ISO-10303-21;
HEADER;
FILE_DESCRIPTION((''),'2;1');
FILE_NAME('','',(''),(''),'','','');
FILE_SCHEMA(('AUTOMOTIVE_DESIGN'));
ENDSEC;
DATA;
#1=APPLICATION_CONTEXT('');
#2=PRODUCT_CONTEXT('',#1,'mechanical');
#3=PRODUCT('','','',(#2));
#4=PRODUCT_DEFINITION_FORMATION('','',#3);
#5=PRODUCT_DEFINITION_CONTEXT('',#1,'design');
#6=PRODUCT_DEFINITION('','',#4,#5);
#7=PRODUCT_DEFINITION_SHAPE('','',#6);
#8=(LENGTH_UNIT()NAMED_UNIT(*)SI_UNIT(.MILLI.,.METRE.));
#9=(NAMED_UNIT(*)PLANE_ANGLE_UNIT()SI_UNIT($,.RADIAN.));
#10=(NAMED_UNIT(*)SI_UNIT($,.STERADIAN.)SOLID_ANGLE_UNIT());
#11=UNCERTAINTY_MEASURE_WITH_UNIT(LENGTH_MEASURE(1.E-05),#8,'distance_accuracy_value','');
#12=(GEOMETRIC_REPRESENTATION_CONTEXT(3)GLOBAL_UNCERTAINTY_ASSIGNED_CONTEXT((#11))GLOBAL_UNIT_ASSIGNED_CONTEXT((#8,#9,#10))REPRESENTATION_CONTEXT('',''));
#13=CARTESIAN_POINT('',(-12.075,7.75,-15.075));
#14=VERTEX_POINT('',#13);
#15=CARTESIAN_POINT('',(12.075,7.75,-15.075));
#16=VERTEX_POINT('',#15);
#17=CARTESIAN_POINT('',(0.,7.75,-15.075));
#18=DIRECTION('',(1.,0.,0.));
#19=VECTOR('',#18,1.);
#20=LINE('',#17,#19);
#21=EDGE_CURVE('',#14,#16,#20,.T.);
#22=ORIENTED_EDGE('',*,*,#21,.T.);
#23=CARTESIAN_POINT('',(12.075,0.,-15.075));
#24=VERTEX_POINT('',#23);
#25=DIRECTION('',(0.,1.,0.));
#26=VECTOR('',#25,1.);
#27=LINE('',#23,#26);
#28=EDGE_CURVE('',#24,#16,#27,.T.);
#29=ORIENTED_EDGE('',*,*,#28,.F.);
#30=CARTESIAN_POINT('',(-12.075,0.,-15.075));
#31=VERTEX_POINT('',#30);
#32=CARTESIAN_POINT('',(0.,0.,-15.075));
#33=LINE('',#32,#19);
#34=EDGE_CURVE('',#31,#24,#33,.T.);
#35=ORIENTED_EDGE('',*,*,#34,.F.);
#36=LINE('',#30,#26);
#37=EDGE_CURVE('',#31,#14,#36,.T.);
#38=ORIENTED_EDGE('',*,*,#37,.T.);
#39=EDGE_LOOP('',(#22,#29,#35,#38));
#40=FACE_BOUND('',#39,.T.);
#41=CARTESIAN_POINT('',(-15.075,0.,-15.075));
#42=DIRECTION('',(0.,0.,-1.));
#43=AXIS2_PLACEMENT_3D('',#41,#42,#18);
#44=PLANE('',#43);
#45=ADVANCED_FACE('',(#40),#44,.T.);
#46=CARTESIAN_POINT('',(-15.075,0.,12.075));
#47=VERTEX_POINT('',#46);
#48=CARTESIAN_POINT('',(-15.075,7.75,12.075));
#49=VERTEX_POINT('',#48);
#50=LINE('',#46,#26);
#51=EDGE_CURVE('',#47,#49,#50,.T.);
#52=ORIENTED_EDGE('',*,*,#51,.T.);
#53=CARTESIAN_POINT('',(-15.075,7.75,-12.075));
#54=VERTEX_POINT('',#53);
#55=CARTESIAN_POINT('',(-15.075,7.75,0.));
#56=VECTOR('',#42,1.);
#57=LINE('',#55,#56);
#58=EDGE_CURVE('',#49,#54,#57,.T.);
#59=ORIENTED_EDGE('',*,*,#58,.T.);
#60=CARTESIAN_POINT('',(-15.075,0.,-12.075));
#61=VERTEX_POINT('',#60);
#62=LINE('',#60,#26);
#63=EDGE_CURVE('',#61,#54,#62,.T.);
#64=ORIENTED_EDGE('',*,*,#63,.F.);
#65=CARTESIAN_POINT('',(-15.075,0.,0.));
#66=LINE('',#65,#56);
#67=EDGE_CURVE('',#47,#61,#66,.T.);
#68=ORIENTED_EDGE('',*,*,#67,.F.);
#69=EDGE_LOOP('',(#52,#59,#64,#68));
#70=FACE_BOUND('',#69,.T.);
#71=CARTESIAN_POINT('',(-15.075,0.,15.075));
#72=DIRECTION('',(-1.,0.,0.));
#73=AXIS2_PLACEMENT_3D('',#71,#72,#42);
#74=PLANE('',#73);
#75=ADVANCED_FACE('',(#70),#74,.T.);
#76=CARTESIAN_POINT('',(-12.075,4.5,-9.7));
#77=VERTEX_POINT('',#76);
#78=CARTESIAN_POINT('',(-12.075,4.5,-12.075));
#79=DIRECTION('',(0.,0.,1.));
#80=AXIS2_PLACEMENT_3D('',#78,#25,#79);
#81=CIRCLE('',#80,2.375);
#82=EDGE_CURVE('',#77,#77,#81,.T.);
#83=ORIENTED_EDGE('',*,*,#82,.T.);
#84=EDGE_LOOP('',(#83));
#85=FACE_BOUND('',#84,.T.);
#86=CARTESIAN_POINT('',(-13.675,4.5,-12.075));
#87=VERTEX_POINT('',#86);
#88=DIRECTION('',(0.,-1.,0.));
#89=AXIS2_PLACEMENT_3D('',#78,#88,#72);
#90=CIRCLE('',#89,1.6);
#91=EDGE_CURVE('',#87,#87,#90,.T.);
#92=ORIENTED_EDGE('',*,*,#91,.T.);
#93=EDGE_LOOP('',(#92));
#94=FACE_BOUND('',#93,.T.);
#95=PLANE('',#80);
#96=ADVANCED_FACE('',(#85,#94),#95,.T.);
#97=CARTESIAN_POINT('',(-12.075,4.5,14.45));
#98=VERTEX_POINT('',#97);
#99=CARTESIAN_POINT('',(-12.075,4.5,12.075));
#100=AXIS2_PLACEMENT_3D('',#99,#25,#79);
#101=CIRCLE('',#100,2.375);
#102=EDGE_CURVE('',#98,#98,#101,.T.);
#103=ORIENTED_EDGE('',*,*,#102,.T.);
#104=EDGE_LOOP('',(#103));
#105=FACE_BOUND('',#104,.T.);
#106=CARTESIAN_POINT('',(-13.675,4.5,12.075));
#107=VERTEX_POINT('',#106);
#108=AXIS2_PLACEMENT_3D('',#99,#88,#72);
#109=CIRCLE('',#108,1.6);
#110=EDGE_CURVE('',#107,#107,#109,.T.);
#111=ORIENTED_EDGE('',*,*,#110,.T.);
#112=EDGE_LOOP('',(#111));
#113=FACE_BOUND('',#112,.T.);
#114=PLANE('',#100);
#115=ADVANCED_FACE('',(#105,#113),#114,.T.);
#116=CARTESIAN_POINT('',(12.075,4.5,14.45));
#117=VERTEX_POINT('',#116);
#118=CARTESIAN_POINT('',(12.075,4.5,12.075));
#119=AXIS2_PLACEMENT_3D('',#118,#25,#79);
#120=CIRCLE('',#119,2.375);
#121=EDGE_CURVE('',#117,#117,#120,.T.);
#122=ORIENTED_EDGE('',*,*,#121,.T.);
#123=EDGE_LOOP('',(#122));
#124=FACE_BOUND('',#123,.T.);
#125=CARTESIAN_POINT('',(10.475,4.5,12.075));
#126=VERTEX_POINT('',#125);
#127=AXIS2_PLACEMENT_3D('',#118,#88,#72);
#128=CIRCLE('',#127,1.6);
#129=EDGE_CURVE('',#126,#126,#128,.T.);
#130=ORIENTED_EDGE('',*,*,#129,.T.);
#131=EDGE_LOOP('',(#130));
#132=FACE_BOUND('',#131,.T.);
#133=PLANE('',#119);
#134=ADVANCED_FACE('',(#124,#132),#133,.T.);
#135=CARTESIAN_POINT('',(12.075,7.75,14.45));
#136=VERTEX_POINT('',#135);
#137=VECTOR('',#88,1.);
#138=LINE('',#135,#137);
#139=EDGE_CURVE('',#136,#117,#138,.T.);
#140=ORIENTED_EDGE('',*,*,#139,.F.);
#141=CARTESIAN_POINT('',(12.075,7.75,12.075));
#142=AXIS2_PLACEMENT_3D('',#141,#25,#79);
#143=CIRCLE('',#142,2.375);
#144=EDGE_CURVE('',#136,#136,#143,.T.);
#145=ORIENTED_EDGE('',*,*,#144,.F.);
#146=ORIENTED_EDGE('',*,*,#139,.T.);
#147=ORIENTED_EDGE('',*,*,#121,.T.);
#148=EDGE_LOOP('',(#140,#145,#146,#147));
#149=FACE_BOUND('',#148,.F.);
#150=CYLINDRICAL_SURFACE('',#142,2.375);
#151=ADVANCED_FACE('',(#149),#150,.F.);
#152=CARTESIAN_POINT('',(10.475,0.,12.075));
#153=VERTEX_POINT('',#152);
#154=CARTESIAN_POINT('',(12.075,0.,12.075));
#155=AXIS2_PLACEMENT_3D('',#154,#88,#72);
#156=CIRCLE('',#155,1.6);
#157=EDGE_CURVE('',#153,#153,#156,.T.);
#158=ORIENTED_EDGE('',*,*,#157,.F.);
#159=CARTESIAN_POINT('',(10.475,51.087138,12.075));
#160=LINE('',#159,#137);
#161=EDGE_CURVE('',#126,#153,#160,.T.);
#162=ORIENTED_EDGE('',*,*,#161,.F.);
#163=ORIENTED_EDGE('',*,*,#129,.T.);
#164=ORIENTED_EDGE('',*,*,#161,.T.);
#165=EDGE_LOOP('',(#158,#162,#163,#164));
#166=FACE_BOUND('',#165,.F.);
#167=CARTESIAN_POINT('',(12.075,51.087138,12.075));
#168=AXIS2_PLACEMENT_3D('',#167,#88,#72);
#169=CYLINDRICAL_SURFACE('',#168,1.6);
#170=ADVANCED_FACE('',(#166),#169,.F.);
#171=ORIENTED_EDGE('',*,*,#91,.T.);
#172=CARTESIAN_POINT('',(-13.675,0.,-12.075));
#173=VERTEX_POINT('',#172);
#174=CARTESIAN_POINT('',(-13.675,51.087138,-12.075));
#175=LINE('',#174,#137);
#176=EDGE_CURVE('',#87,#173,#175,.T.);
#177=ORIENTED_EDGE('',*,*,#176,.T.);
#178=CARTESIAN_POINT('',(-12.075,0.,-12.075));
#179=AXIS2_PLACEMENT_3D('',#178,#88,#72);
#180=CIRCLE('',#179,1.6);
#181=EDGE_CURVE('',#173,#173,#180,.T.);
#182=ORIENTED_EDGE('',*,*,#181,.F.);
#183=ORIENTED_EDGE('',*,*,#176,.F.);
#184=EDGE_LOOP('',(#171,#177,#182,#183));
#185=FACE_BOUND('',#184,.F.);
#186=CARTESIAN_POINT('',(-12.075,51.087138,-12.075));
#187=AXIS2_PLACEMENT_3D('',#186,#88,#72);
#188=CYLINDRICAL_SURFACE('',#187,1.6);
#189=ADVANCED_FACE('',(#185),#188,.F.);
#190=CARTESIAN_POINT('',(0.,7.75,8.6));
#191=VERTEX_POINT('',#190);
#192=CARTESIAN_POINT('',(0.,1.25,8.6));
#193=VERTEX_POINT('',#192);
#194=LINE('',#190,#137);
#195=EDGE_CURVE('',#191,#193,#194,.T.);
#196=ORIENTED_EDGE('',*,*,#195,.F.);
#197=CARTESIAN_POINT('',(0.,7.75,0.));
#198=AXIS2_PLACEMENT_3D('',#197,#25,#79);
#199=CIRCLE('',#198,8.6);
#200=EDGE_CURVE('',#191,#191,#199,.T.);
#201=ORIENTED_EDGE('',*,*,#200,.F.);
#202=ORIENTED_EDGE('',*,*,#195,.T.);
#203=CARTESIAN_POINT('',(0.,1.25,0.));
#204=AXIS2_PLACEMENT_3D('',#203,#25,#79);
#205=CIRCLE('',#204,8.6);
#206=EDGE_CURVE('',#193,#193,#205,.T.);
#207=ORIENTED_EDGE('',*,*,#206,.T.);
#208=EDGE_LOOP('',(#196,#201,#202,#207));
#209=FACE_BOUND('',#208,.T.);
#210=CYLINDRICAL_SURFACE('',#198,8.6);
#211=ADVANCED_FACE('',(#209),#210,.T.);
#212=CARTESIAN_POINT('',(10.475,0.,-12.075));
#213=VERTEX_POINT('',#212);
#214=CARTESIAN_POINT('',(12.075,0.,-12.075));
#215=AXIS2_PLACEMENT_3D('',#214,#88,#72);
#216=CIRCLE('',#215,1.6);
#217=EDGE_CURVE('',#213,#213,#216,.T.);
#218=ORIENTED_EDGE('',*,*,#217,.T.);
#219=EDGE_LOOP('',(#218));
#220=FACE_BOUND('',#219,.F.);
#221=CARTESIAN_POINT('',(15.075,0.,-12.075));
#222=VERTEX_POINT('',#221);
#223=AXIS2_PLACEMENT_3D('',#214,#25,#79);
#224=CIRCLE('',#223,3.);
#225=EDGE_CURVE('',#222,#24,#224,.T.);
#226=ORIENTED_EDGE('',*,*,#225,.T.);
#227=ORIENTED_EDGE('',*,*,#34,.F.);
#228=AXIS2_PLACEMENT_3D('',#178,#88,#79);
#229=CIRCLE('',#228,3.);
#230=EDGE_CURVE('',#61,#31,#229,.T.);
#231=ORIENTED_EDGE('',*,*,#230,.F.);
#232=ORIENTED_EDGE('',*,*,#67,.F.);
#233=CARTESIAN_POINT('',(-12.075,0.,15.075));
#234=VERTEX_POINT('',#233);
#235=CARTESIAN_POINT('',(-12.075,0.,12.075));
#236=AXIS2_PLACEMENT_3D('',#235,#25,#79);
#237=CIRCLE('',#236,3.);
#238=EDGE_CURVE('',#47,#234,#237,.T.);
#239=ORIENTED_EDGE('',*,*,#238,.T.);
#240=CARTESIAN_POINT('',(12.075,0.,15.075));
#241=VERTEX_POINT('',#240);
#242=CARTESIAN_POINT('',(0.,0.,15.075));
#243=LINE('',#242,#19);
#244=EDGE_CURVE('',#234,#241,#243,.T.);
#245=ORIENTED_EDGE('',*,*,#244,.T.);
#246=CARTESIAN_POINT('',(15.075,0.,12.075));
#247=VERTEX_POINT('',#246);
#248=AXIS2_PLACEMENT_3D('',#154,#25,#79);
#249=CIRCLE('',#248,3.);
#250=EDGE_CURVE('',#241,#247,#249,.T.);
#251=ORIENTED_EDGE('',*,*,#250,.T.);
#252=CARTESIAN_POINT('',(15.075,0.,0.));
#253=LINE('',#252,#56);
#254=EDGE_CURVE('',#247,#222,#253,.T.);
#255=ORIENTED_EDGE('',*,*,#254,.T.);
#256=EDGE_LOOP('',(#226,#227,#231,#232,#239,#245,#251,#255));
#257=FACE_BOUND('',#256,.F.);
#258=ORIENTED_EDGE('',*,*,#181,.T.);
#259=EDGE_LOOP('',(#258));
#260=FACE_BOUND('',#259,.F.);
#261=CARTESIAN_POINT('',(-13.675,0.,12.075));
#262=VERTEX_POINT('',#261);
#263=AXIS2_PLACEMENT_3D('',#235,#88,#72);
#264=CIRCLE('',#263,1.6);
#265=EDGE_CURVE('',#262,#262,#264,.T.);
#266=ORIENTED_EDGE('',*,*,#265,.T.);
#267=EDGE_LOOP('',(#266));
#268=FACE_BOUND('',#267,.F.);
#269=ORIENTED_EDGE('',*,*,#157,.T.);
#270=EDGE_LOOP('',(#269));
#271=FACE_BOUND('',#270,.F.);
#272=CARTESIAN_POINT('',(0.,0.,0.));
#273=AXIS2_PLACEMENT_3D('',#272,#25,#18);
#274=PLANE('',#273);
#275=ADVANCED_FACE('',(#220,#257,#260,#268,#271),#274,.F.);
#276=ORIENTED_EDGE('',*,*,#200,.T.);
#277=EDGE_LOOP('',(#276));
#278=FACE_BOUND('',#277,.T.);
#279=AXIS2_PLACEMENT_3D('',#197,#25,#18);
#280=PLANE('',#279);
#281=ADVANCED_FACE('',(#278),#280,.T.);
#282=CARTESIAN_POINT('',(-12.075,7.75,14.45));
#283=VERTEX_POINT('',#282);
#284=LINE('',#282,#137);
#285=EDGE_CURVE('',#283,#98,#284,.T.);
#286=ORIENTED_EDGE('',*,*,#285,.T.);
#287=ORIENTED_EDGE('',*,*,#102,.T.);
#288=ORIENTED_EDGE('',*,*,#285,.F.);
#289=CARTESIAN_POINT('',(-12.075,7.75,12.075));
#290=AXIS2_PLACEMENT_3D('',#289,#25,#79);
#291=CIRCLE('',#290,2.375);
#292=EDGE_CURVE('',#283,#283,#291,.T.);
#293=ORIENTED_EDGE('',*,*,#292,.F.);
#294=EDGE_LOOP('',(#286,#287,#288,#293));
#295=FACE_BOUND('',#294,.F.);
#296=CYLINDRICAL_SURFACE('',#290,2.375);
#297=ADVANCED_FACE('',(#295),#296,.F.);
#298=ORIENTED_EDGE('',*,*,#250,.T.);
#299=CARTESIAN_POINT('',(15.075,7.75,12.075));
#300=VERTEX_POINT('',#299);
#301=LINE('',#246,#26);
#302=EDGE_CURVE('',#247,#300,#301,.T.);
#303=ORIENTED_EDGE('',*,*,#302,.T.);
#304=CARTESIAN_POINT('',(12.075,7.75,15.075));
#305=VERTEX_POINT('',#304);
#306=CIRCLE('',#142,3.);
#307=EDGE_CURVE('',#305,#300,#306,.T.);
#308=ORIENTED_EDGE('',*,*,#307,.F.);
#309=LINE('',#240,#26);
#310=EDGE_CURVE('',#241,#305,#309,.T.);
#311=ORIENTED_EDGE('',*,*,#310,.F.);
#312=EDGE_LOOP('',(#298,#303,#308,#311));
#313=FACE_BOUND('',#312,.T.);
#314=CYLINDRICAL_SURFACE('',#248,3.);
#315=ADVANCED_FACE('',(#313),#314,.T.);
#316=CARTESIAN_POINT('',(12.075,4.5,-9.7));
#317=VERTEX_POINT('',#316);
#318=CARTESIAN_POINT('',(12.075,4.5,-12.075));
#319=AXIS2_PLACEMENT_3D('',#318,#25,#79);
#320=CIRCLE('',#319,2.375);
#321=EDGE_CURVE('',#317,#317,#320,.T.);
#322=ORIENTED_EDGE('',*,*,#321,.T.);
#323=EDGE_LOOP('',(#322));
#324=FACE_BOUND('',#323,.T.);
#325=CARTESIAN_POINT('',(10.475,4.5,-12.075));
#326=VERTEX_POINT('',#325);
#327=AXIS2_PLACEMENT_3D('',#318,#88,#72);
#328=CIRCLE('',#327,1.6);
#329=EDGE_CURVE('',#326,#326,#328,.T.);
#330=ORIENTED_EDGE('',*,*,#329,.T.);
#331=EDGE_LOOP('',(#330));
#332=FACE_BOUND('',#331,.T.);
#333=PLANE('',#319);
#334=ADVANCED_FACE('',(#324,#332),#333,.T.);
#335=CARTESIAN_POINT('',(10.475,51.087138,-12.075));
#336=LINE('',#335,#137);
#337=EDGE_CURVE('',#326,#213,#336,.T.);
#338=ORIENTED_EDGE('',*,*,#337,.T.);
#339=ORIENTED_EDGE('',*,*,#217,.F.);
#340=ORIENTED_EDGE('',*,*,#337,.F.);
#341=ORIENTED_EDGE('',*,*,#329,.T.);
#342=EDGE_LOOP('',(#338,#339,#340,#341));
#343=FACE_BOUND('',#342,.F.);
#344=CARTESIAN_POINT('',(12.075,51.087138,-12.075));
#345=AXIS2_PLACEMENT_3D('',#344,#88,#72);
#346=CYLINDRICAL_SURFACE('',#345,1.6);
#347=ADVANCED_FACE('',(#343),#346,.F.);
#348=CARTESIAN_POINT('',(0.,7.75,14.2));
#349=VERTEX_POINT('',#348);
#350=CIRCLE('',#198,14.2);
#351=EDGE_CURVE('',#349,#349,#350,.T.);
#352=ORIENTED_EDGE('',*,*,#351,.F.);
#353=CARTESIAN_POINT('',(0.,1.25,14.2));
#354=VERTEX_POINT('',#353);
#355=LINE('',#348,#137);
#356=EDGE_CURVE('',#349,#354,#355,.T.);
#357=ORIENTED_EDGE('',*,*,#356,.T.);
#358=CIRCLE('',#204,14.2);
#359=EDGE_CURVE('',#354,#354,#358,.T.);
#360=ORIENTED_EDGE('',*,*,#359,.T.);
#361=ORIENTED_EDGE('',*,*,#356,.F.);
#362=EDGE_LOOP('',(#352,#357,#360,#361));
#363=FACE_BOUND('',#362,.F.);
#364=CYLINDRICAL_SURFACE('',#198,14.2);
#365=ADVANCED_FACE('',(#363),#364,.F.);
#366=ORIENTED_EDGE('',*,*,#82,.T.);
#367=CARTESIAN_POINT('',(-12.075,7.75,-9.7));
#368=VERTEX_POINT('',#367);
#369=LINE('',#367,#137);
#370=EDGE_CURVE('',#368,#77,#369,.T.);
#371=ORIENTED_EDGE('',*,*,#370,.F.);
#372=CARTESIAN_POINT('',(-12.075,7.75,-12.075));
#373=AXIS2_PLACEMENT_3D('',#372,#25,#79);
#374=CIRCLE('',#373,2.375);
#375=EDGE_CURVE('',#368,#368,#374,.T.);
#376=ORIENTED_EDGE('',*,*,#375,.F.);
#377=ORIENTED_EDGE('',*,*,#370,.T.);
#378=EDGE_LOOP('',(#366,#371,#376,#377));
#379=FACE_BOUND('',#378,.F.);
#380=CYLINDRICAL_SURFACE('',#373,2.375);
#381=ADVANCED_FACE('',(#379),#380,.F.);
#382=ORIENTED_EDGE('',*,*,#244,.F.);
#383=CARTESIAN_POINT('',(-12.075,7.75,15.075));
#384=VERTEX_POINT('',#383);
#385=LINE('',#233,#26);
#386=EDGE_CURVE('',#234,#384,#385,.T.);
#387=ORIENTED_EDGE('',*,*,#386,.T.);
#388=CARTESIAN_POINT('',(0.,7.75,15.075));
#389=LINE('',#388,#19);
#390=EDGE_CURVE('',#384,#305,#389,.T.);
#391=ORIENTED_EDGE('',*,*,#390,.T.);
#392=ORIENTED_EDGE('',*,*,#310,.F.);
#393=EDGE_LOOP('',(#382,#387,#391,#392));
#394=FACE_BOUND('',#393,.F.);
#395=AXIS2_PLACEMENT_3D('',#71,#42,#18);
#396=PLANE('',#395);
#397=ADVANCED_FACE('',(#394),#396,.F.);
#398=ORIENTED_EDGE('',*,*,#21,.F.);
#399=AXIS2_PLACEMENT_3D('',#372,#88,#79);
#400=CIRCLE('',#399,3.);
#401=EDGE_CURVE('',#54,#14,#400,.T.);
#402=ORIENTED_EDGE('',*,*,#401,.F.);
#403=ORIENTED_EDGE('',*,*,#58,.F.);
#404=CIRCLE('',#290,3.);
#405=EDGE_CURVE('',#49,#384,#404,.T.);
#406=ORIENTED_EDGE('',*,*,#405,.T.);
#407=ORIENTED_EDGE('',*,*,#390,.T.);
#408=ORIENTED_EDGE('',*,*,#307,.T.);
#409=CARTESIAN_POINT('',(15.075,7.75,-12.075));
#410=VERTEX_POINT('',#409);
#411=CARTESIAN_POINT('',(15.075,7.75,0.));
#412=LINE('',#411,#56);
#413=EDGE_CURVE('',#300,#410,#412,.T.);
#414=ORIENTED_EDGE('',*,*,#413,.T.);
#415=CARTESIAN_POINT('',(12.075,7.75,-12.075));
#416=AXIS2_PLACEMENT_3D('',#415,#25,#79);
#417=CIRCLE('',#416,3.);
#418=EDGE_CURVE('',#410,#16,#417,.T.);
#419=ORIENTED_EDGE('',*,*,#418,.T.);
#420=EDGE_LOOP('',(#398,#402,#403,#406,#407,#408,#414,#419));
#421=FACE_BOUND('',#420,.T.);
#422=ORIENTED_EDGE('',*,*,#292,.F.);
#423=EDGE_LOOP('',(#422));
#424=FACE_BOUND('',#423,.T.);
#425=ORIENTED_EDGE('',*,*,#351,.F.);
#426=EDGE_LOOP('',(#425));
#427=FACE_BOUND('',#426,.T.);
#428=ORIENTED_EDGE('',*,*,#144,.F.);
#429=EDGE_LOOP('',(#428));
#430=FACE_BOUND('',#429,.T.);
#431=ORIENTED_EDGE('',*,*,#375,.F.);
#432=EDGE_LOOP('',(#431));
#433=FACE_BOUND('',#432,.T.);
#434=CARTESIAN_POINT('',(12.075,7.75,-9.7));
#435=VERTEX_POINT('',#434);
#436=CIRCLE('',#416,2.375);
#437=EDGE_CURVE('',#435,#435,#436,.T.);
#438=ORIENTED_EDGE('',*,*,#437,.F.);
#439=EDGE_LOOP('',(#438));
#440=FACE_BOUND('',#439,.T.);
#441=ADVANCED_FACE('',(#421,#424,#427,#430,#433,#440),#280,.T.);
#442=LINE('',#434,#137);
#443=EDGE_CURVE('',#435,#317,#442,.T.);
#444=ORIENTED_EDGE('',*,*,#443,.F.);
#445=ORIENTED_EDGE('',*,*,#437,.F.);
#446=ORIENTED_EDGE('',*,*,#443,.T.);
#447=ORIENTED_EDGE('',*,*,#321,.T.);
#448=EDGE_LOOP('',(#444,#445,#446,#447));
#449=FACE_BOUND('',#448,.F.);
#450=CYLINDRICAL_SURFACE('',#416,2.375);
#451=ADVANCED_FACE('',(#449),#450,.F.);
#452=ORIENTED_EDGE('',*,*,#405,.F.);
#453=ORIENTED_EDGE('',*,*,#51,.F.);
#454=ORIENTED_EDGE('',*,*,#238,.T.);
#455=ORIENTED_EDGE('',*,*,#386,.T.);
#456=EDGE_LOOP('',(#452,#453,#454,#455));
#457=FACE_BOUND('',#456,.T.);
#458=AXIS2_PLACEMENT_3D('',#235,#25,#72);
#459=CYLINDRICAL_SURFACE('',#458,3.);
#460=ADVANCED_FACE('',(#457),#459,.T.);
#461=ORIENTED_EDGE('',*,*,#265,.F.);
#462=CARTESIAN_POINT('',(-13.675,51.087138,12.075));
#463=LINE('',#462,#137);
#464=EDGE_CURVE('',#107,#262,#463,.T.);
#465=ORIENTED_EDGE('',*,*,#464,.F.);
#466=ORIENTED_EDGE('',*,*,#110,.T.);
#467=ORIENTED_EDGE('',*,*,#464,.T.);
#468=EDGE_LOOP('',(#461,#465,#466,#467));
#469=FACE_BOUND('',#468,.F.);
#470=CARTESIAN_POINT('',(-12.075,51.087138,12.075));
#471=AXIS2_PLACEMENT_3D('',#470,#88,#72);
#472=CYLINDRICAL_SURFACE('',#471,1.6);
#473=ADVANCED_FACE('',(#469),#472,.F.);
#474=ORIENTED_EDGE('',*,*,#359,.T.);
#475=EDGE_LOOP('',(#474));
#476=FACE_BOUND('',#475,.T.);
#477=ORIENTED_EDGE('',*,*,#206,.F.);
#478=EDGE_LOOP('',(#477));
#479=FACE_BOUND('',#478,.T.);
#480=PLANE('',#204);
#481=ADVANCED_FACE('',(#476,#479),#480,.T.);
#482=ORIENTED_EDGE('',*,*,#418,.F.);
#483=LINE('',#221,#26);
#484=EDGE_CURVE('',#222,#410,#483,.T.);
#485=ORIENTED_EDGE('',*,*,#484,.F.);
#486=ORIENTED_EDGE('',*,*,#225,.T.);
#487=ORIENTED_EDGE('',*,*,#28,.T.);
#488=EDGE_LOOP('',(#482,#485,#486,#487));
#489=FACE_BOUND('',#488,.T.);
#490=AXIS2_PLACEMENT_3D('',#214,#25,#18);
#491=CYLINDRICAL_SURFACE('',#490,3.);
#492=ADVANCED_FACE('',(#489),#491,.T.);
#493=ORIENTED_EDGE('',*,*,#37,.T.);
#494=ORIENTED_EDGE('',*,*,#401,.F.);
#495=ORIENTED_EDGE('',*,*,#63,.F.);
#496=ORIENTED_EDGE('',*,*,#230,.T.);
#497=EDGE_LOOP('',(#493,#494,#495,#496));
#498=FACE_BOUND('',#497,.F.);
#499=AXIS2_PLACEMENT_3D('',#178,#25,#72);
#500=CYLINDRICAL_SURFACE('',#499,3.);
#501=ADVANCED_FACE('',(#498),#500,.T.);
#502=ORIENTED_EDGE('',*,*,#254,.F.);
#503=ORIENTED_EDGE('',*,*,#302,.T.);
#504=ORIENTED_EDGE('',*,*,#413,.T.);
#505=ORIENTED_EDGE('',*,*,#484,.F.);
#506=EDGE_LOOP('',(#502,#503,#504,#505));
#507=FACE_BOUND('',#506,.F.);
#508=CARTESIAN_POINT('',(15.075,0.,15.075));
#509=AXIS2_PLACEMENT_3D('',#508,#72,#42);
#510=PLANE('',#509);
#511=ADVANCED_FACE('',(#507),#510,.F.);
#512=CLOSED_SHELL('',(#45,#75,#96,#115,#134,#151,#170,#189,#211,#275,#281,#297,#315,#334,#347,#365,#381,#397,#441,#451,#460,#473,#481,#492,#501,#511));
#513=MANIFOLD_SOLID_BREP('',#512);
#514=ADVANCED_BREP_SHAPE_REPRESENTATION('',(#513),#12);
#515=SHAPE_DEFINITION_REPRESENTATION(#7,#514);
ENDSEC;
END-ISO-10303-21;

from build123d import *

# Parameters (mm, degrees)
SKETCH1_W            = 30.15
SKETCH1_H            = 30.15
BOSS_EXTRUDE1_DEPTH  = 7.75
FILLET1_R            = 3
M3_CLEARANCE_HOLE1_D = 3.2
SKETCH4_R            = 2.375
CUT_EXTRUDE1_DEPTH   = 3.25
SKETCH5_R            = 14.2
SKETCH5_R_2          = 8.6
CUT_EXTRUDE2_DEPTH   = 6.5


with BuildPart() as part:
    # Sketch1 → Boss-Extrude1 (new body)
    with BuildSketch(Plane(origin=(0, 0, 0), x_dir=(1, 0, 0), z_dir=(0, 1, 0))):
        Rectangle(SKETCH1_W, SKETCH1_H)
    extrude(amount=BOSS_EXTRUDE1_DEPTH)

    # Fillet1
    fillet1_edges = [part.edges().sort_by_distance(p)[0] for p in [
        (15.075, 3.875, 15.075),
        (-15.075, 3.875, 15.075),
        (-15.075, 3.875, -15.075),
        (15.075, 3.875, -15.075),
    ]]
    fillet(fillet1_edges, radius=FILLET1_R)

    # M3 Clearance Hole1 (through all)
    with Locations(Plane(origin=(0, 7.75, 0), x_dir=(1, 0, 0), z_dir=(0, 1, 0))):
        with Locations((-12.075, 12.075), (12.075, 12.075), (12.075, -12.075), (-12.075, -12.075)):
            Hole(M3_CLEARANCE_HOLE1_D / 2)

    # Sketch4 → Cut-Extrude1 (cut)
    with BuildSketch(Plane(origin=(0, 7.75, 0), x_dir=(1, 0, 0), z_dir=(0, 1, 0))):
        with Locations(Location((-12.075, 12.075, 0), (0, 0, 270))):
            Circle(SKETCH4_R)
        with Locations(Location((12.075, 12.075, 0), (0, 0, 270))):
            Circle(SKETCH4_R)
        with Locations(Location((-12.075, -12.075, 0), (0, 0, 270))):
            Circle(SKETCH4_R)
        with Locations(Location((12.075, -12.075, 0), (0, 0, 270))):
            Circle(SKETCH4_R)
    extrude(amount=-CUT_EXTRUDE1_DEPTH, mode=Mode.SUBTRACT)

    # Sketch5 → Cut-Extrude2 (cut)
    with BuildSketch(Plane(origin=(0, 7.75, 0), x_dir=(1, 0, 0), z_dir=(0, 1, 0))):
        with Locations(Location((0, 0, 0), (0, 0, 270))):
            Circle(SKETCH5_R)
        with Locations(Location((0, 0, 0), (0, 0, 270))):
            Circle(SKETCH5_R_2, mode=Mode.SUBTRACT)
    extrude(amount=-CUT_EXTRUDE2_DEPTH, mode=Mode.SUBTRACT)


solid = part.part
